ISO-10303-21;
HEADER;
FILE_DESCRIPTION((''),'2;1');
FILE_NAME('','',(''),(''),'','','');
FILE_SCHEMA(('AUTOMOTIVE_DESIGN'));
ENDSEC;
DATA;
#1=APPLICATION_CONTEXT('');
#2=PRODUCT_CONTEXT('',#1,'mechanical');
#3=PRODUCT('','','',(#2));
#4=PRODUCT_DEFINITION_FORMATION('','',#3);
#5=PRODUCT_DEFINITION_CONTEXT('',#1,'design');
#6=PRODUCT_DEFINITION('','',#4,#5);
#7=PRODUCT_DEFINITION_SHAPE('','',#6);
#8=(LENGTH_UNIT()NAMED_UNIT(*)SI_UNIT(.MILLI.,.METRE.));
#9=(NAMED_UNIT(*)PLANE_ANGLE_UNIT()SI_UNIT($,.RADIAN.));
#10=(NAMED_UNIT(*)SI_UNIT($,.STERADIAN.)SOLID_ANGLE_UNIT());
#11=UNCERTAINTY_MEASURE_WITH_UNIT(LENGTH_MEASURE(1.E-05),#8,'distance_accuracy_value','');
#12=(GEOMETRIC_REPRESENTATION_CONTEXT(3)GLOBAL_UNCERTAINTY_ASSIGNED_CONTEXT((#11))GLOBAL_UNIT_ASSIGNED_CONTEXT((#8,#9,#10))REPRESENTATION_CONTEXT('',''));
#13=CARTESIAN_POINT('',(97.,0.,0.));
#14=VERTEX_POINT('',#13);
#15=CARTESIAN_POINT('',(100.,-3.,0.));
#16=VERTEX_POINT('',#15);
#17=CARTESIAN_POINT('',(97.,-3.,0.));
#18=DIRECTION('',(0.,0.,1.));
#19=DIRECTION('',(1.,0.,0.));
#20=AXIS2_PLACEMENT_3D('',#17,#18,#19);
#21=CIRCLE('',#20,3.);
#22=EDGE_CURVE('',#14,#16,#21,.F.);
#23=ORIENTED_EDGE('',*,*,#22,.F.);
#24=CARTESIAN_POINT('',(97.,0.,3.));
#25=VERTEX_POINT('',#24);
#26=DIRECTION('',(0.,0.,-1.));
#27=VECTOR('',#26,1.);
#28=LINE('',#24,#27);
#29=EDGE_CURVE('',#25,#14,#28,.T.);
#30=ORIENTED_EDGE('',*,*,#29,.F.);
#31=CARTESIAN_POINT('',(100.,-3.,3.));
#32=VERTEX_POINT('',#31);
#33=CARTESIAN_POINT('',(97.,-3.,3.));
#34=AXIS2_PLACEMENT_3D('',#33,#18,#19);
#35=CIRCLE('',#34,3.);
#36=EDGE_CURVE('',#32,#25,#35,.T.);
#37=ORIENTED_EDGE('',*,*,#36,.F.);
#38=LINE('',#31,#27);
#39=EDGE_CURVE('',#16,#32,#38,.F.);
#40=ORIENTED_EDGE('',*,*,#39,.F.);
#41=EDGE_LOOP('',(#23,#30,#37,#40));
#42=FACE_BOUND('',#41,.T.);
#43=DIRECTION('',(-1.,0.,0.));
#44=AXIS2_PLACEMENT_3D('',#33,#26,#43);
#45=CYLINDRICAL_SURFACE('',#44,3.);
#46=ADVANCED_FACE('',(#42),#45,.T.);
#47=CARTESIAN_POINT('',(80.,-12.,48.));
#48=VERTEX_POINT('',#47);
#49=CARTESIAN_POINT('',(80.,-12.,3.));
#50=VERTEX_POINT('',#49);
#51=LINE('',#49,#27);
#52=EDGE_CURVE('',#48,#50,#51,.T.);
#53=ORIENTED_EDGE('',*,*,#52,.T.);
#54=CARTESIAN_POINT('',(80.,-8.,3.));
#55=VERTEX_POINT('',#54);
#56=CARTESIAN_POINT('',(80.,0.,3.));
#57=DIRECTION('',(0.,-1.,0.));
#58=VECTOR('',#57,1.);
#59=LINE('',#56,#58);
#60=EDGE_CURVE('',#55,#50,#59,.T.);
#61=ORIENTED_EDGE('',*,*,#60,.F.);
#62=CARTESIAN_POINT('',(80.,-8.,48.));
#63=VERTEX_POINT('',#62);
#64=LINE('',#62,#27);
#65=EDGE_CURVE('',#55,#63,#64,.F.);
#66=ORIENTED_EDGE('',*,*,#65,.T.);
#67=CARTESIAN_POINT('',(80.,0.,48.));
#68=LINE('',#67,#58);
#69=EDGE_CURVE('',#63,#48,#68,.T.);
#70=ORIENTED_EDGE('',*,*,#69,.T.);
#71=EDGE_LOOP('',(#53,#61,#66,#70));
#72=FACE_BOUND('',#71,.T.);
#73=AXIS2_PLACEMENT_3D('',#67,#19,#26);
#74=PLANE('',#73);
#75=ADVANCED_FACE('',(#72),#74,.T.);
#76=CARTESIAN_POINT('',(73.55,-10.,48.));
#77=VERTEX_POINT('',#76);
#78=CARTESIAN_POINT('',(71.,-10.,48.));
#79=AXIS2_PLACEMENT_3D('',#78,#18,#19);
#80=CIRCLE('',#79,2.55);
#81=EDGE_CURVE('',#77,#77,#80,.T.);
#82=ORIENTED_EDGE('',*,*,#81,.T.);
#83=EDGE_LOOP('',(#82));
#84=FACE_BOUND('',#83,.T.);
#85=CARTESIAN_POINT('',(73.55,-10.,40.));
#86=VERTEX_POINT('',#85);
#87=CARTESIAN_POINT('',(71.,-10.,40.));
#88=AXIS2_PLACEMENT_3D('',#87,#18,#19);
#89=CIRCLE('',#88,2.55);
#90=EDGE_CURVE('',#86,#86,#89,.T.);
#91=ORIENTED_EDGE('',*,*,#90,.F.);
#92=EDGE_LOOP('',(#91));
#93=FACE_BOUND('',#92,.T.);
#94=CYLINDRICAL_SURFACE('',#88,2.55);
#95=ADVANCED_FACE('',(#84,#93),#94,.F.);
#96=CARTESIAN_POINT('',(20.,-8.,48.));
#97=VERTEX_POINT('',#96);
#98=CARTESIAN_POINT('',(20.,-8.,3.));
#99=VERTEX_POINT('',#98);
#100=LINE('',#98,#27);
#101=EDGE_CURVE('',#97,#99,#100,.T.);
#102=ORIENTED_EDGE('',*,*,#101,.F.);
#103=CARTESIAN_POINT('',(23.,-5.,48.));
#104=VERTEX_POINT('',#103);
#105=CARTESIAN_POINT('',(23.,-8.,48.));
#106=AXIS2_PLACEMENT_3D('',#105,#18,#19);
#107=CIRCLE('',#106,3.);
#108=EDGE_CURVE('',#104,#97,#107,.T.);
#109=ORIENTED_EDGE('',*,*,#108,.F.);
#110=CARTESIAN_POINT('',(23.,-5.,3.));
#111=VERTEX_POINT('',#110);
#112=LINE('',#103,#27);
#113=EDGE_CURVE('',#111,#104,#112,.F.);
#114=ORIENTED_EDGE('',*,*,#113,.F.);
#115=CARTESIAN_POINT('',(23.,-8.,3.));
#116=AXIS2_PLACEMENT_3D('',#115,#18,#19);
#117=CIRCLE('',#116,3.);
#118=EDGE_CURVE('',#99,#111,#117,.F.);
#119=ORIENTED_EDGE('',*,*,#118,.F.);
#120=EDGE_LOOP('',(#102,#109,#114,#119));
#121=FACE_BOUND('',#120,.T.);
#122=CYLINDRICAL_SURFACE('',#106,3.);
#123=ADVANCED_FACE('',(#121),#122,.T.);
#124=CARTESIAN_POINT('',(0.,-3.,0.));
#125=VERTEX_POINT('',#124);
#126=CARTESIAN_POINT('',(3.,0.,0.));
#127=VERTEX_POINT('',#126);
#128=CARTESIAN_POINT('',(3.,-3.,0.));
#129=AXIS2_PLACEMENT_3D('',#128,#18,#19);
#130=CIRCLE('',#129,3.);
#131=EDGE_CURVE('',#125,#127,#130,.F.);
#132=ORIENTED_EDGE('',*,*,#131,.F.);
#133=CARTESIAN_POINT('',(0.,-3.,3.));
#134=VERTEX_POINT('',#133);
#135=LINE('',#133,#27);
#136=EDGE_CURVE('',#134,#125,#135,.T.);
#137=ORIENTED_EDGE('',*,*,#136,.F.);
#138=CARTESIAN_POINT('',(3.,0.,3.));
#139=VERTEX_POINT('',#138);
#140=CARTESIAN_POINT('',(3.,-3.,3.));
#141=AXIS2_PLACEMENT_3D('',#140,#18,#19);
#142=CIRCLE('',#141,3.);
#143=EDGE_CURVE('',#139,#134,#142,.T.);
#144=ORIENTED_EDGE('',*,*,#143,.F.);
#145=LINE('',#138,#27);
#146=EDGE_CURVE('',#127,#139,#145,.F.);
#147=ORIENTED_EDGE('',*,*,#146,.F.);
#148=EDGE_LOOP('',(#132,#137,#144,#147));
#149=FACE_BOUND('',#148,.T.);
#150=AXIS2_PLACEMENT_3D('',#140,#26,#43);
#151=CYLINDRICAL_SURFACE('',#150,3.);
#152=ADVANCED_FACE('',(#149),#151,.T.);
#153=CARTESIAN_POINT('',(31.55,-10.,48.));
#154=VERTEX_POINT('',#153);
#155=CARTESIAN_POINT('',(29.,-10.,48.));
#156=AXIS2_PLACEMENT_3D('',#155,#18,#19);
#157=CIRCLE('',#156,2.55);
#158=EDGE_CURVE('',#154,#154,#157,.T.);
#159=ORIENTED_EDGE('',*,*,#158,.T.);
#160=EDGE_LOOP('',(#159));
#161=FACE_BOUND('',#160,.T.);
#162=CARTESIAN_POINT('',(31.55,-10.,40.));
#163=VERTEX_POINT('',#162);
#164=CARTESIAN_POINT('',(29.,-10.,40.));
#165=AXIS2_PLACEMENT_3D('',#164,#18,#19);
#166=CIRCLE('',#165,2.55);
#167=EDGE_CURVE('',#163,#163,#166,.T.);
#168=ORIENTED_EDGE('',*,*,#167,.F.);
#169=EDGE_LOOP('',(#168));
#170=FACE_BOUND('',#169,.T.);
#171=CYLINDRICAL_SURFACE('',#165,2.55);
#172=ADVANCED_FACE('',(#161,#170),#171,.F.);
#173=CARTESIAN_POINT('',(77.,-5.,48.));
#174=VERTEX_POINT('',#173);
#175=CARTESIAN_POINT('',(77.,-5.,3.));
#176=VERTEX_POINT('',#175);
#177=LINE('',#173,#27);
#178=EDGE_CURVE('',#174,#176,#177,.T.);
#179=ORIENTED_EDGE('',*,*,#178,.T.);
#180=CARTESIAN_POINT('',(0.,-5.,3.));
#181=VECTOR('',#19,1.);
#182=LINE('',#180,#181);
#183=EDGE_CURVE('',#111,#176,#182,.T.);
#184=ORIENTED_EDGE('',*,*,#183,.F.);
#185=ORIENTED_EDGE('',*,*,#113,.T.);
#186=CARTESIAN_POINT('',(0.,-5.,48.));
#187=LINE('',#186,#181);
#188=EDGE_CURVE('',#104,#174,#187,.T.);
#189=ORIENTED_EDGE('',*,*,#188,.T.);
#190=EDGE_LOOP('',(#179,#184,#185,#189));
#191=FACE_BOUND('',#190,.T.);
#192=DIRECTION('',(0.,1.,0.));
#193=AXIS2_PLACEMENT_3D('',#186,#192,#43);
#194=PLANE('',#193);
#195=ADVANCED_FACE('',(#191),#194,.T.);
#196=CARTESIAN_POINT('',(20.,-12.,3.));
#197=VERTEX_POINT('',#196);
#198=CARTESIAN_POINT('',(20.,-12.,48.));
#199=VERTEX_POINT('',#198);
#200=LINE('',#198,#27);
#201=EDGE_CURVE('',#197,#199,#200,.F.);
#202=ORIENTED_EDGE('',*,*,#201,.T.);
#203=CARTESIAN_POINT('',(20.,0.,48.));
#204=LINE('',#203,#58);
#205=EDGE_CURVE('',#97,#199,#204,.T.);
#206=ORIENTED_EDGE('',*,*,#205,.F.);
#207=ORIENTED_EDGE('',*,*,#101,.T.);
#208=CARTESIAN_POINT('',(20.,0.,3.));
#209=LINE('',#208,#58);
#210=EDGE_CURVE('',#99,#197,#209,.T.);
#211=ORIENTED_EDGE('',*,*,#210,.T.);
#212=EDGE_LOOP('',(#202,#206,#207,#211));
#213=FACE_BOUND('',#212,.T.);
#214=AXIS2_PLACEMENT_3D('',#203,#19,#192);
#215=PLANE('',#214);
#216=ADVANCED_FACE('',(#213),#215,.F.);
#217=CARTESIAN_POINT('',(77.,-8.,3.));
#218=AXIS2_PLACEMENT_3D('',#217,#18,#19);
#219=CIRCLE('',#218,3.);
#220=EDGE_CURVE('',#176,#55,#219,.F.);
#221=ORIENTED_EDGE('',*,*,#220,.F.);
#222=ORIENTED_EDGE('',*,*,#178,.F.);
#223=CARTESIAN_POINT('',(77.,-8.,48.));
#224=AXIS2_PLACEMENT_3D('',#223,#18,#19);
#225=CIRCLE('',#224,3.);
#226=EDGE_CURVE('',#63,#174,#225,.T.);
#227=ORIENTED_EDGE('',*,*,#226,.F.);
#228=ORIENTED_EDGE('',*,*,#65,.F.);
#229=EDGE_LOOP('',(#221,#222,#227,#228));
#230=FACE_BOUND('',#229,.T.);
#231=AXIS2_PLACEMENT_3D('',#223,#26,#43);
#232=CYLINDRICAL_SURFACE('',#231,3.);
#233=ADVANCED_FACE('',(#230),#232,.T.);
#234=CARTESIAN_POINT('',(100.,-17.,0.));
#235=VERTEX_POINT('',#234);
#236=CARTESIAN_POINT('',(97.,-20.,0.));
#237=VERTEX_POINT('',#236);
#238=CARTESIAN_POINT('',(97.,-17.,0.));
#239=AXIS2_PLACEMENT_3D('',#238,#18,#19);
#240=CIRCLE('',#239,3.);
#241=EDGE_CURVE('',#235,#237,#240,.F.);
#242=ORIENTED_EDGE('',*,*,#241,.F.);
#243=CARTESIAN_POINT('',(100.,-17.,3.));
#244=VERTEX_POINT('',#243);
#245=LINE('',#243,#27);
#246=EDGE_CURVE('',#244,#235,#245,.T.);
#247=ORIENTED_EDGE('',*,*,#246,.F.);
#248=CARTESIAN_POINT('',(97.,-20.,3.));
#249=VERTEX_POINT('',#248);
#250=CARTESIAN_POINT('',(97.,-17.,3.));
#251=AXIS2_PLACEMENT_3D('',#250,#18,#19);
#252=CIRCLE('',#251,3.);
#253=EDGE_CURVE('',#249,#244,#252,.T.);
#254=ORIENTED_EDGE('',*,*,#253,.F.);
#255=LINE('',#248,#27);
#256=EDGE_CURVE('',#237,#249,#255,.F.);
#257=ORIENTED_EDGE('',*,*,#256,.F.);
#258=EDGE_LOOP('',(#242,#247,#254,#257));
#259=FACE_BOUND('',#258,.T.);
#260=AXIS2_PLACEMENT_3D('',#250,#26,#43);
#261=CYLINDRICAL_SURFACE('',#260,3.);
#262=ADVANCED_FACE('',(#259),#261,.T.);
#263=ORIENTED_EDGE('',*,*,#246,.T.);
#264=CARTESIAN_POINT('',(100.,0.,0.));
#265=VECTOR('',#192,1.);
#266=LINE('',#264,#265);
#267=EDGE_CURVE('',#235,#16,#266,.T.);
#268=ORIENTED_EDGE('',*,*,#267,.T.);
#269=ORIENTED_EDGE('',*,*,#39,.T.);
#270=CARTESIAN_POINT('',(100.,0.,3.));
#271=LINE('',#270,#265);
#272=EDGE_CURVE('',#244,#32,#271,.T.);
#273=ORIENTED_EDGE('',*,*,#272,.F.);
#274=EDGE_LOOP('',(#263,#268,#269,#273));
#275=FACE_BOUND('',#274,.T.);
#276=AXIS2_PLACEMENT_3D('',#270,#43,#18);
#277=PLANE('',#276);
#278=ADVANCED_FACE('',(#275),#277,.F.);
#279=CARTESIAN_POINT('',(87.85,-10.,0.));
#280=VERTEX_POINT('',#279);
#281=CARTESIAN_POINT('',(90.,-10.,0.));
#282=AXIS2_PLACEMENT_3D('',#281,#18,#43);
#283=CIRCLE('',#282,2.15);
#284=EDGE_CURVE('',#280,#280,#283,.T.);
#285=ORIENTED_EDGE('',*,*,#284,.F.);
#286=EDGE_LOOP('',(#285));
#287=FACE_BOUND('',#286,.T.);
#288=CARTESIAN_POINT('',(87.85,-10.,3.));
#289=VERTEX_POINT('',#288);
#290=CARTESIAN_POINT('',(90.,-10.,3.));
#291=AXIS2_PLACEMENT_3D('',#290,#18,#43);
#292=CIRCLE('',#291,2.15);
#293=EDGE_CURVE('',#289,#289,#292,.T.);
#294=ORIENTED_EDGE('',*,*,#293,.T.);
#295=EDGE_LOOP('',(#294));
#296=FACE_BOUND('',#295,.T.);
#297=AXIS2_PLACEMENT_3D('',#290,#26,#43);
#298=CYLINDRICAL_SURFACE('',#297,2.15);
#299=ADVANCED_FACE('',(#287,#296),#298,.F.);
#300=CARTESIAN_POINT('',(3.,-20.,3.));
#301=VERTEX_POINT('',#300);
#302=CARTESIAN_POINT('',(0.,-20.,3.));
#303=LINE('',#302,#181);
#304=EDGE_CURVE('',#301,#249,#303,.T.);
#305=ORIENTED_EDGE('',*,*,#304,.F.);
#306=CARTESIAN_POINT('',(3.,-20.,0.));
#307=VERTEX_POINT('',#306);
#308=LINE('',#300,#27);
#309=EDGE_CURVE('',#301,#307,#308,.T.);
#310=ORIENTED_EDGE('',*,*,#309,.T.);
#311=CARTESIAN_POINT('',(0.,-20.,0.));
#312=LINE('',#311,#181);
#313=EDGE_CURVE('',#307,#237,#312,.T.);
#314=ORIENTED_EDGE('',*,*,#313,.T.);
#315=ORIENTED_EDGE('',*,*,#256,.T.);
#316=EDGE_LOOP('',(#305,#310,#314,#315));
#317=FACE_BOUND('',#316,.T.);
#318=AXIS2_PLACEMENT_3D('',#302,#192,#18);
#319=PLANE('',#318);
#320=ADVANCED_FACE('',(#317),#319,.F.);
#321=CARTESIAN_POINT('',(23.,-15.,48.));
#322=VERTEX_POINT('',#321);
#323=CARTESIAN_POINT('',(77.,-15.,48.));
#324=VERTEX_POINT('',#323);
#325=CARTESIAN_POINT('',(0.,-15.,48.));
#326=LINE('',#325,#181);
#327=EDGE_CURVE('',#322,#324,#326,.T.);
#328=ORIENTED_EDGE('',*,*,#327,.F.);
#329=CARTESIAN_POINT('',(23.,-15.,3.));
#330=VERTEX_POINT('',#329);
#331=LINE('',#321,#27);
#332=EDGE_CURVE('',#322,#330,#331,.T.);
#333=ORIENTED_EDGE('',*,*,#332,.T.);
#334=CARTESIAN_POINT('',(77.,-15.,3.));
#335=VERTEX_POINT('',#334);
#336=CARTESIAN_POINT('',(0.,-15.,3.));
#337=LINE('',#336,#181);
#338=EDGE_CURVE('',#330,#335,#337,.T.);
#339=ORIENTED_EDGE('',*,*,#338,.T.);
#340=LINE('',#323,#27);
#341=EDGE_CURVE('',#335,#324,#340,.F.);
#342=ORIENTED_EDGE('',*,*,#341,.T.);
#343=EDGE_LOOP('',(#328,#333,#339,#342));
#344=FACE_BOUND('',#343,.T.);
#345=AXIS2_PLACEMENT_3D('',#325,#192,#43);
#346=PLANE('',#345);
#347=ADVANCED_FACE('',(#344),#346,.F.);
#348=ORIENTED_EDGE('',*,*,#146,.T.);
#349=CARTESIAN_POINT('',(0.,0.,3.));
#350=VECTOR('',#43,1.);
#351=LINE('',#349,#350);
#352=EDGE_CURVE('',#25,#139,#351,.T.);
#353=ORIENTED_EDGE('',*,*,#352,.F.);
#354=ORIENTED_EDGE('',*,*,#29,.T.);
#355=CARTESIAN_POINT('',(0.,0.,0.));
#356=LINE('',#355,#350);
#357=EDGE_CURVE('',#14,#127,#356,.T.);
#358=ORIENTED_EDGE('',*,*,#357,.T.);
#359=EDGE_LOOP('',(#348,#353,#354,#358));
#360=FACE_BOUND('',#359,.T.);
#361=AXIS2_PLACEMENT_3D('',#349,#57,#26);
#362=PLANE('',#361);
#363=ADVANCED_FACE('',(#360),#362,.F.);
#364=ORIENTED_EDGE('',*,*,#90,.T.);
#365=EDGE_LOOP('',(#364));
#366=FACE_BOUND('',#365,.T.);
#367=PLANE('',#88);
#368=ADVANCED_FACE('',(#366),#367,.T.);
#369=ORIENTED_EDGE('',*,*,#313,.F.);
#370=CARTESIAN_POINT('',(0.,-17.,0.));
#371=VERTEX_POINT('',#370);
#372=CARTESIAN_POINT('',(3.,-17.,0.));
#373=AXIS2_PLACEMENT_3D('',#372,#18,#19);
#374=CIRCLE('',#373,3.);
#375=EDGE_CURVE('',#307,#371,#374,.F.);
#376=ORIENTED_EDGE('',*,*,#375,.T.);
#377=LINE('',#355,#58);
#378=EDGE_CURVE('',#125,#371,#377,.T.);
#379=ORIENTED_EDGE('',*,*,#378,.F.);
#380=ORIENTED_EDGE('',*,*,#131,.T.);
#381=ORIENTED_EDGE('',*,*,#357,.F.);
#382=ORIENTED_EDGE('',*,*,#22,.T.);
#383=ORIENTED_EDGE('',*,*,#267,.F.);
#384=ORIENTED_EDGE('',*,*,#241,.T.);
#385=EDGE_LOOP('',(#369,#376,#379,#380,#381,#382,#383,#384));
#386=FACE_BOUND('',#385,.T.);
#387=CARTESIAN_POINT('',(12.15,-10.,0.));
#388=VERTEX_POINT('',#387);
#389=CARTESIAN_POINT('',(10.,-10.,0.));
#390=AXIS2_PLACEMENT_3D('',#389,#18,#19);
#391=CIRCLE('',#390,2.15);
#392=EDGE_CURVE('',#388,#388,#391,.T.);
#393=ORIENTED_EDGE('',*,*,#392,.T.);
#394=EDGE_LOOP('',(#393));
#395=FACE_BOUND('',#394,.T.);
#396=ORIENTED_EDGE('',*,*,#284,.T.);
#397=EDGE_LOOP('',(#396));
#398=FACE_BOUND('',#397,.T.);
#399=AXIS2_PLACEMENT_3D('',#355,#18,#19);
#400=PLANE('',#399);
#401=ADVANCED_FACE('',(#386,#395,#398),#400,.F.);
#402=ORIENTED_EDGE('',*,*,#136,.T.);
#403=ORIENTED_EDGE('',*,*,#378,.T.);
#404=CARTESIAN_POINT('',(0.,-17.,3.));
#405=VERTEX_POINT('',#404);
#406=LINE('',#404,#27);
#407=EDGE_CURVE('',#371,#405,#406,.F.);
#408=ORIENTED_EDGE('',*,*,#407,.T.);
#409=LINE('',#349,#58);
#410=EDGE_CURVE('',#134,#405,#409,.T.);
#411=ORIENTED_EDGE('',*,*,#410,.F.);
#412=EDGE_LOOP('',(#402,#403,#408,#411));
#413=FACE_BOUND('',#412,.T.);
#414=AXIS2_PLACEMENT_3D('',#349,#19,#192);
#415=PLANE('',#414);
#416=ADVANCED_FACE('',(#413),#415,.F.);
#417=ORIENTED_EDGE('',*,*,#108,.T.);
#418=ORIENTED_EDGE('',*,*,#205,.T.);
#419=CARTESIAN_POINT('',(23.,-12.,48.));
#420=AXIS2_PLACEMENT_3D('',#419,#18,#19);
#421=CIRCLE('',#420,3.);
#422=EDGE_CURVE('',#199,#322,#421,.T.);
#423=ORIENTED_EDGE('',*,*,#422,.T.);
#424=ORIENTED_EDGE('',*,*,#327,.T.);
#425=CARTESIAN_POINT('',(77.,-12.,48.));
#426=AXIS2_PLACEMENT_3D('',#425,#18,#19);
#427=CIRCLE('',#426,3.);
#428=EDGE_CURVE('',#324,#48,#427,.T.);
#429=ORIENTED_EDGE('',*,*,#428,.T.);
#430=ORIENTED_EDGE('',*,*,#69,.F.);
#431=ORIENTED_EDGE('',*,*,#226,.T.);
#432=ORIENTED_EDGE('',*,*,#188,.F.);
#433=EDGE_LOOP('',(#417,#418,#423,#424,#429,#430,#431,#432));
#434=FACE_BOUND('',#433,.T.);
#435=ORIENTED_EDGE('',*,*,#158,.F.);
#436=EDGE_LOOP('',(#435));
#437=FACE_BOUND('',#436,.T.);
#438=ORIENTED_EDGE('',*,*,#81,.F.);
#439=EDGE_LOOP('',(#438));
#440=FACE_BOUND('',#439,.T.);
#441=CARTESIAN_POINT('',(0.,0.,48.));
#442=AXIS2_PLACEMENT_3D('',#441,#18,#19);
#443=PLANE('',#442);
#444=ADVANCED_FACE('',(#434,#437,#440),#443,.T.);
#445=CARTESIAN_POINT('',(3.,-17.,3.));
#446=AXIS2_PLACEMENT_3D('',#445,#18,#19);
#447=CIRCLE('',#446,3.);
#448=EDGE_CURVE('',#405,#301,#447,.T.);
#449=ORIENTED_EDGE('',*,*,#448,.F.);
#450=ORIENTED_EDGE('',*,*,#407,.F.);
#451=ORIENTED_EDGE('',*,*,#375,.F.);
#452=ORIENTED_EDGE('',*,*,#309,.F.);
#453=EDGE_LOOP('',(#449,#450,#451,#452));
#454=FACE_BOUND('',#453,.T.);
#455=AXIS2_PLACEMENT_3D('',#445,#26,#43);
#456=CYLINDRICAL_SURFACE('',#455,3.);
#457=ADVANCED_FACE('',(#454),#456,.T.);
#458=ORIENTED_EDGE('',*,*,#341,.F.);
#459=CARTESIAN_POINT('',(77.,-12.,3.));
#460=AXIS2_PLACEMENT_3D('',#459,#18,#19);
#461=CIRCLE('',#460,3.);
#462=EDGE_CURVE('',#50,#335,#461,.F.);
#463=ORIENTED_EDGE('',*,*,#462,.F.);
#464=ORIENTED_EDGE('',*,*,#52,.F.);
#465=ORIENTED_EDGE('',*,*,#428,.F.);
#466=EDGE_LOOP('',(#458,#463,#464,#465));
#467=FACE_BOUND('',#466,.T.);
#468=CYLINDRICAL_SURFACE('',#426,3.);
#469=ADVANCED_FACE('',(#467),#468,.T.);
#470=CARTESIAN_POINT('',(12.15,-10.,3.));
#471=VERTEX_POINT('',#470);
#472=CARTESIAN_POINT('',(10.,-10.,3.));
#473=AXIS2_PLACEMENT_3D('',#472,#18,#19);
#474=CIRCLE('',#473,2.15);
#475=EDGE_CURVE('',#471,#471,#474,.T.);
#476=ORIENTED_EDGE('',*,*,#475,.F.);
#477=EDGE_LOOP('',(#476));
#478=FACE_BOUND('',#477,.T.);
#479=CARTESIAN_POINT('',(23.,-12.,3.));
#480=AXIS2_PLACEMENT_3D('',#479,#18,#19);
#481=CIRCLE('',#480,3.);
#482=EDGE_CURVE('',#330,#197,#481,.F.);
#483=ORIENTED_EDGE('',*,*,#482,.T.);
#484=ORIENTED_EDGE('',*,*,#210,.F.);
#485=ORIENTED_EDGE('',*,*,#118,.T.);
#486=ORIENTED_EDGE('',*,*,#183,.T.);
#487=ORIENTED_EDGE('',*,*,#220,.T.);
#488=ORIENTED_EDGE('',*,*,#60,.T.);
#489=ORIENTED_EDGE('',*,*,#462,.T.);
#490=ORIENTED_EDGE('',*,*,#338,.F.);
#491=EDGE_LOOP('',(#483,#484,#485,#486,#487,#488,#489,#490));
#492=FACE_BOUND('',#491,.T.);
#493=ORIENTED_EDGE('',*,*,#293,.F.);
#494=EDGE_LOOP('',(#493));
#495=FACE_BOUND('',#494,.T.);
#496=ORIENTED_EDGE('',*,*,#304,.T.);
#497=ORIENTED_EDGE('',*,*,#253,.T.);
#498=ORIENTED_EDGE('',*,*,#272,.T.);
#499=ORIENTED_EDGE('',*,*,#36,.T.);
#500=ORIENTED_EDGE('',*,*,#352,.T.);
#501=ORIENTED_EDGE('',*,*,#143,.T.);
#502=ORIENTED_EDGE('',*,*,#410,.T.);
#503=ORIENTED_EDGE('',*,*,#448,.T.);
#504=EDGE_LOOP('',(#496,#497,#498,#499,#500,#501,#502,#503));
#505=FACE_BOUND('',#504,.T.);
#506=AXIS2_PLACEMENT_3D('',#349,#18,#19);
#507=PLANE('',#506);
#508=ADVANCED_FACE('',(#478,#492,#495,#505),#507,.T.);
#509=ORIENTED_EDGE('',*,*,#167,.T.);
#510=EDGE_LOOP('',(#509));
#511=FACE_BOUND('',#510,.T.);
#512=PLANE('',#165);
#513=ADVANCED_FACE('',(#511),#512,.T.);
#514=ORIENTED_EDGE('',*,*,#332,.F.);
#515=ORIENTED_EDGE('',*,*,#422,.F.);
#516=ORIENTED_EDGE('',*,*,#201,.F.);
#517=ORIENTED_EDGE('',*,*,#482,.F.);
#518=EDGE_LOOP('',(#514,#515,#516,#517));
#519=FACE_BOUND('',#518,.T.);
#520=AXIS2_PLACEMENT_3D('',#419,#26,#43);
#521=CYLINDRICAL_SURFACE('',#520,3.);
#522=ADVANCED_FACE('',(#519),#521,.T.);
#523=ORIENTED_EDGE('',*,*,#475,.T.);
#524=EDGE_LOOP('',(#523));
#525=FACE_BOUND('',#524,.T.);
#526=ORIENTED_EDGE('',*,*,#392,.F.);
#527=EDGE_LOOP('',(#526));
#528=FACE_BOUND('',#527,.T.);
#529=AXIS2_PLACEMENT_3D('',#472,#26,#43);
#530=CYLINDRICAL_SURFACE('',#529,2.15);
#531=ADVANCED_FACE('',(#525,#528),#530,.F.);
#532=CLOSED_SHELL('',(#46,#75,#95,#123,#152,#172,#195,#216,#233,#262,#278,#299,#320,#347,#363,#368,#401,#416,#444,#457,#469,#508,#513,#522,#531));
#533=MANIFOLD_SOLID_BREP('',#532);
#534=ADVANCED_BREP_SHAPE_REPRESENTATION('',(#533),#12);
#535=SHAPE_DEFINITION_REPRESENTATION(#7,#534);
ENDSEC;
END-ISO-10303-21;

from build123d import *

# Parameters (mm, degrees)
SKETCH1_W           = 100
SKETCH1_H           = 20
SKETCH1_R           = 2.15
SKETCH1_R_2         = 2.55
BOSS_EXTRUDE1_DEPTH = 3
SKETCH2_R           = 2.55
BOSS_EXTRUDE3_DEPTH = 3
SKETCH3_W           = 60
SKETCH3_H           = 10
BOSS_EXTRUDE4_DEPTH = 45
SKETCH4_R           = 2.55
CUT_EXTRUDE3_DEPTH  = 8
FILLET1_R           = 3


with BuildPart() as part:
    # Sketch1 → Boss-Extrude1 (new body)
    with BuildSketch(Plane.XY):
        with Locations((50, -10)):
            Rectangle(SKETCH1_W, SKETCH1_H)
        with Locations((10, -10)):
            Circle(SKETCH1_R, mode=Mode.SUBTRACT)
        with Locations((90, -10)):
            Circle(SKETCH1_R, mode=Mode.SUBTRACT)
        with Locations((29, -10)):
            Circle(SKETCH1_R_2, mode=Mode.SUBTRACT)
        with Locations((71, -10)):
            Circle(SKETCH1_R_2, mode=Mode.SUBTRACT)
    extrude(amount=BOSS_EXTRUDE1_DEPTH)

    # Sketch2 → Boss-Extrude3 (add)
    with BuildSketch(Plane.XY.offset(3)):
        with Locations((71, -10)):
            Circle(SKETCH2_R)
        with Locations((29, -10)):
            Circle(SKETCH2_R)
    extrude(amount=-BOSS_EXTRUDE3_DEPTH)

    # Sketch3 → Boss-Extrude4 (add)
    with BuildSketch(Plane.XY.offset(3)):
        with Locations((50, -10)):
            Rectangle(SKETCH3_W, SKETCH3_H)
    extrude(amount=BOSS_EXTRUDE4_DEPTH)

    # Sketch4 → Cut-Extrude3 (cut)
    with BuildSketch(Plane.XY.offset(48)):
        with Locations((71, -10)):
            Circle(SKETCH4_R)
        with Locations((29, -10)):
            Circle(SKETCH4_R)
    extrude(amount=-CUT_EXTRUDE3_DEPTH, mode=Mode.SUBTRACT)

    # Fillet1
    fillet1_edges = [part.edges().sort_by_distance(p)[0] for p in [
        (80, -15, 25.5),
        (80, -5, 25.5),
        (20, -5, 25.5),
        (20, -15, 25.5),
        (0, 0, 1.5),
        (100, 0, 1.5),
        (100, -20, 1.5),
        (0, -20, 1.5),
    ]]
    fillet(fillet1_edges, radius=FILLET1_R)


solid = part.part
